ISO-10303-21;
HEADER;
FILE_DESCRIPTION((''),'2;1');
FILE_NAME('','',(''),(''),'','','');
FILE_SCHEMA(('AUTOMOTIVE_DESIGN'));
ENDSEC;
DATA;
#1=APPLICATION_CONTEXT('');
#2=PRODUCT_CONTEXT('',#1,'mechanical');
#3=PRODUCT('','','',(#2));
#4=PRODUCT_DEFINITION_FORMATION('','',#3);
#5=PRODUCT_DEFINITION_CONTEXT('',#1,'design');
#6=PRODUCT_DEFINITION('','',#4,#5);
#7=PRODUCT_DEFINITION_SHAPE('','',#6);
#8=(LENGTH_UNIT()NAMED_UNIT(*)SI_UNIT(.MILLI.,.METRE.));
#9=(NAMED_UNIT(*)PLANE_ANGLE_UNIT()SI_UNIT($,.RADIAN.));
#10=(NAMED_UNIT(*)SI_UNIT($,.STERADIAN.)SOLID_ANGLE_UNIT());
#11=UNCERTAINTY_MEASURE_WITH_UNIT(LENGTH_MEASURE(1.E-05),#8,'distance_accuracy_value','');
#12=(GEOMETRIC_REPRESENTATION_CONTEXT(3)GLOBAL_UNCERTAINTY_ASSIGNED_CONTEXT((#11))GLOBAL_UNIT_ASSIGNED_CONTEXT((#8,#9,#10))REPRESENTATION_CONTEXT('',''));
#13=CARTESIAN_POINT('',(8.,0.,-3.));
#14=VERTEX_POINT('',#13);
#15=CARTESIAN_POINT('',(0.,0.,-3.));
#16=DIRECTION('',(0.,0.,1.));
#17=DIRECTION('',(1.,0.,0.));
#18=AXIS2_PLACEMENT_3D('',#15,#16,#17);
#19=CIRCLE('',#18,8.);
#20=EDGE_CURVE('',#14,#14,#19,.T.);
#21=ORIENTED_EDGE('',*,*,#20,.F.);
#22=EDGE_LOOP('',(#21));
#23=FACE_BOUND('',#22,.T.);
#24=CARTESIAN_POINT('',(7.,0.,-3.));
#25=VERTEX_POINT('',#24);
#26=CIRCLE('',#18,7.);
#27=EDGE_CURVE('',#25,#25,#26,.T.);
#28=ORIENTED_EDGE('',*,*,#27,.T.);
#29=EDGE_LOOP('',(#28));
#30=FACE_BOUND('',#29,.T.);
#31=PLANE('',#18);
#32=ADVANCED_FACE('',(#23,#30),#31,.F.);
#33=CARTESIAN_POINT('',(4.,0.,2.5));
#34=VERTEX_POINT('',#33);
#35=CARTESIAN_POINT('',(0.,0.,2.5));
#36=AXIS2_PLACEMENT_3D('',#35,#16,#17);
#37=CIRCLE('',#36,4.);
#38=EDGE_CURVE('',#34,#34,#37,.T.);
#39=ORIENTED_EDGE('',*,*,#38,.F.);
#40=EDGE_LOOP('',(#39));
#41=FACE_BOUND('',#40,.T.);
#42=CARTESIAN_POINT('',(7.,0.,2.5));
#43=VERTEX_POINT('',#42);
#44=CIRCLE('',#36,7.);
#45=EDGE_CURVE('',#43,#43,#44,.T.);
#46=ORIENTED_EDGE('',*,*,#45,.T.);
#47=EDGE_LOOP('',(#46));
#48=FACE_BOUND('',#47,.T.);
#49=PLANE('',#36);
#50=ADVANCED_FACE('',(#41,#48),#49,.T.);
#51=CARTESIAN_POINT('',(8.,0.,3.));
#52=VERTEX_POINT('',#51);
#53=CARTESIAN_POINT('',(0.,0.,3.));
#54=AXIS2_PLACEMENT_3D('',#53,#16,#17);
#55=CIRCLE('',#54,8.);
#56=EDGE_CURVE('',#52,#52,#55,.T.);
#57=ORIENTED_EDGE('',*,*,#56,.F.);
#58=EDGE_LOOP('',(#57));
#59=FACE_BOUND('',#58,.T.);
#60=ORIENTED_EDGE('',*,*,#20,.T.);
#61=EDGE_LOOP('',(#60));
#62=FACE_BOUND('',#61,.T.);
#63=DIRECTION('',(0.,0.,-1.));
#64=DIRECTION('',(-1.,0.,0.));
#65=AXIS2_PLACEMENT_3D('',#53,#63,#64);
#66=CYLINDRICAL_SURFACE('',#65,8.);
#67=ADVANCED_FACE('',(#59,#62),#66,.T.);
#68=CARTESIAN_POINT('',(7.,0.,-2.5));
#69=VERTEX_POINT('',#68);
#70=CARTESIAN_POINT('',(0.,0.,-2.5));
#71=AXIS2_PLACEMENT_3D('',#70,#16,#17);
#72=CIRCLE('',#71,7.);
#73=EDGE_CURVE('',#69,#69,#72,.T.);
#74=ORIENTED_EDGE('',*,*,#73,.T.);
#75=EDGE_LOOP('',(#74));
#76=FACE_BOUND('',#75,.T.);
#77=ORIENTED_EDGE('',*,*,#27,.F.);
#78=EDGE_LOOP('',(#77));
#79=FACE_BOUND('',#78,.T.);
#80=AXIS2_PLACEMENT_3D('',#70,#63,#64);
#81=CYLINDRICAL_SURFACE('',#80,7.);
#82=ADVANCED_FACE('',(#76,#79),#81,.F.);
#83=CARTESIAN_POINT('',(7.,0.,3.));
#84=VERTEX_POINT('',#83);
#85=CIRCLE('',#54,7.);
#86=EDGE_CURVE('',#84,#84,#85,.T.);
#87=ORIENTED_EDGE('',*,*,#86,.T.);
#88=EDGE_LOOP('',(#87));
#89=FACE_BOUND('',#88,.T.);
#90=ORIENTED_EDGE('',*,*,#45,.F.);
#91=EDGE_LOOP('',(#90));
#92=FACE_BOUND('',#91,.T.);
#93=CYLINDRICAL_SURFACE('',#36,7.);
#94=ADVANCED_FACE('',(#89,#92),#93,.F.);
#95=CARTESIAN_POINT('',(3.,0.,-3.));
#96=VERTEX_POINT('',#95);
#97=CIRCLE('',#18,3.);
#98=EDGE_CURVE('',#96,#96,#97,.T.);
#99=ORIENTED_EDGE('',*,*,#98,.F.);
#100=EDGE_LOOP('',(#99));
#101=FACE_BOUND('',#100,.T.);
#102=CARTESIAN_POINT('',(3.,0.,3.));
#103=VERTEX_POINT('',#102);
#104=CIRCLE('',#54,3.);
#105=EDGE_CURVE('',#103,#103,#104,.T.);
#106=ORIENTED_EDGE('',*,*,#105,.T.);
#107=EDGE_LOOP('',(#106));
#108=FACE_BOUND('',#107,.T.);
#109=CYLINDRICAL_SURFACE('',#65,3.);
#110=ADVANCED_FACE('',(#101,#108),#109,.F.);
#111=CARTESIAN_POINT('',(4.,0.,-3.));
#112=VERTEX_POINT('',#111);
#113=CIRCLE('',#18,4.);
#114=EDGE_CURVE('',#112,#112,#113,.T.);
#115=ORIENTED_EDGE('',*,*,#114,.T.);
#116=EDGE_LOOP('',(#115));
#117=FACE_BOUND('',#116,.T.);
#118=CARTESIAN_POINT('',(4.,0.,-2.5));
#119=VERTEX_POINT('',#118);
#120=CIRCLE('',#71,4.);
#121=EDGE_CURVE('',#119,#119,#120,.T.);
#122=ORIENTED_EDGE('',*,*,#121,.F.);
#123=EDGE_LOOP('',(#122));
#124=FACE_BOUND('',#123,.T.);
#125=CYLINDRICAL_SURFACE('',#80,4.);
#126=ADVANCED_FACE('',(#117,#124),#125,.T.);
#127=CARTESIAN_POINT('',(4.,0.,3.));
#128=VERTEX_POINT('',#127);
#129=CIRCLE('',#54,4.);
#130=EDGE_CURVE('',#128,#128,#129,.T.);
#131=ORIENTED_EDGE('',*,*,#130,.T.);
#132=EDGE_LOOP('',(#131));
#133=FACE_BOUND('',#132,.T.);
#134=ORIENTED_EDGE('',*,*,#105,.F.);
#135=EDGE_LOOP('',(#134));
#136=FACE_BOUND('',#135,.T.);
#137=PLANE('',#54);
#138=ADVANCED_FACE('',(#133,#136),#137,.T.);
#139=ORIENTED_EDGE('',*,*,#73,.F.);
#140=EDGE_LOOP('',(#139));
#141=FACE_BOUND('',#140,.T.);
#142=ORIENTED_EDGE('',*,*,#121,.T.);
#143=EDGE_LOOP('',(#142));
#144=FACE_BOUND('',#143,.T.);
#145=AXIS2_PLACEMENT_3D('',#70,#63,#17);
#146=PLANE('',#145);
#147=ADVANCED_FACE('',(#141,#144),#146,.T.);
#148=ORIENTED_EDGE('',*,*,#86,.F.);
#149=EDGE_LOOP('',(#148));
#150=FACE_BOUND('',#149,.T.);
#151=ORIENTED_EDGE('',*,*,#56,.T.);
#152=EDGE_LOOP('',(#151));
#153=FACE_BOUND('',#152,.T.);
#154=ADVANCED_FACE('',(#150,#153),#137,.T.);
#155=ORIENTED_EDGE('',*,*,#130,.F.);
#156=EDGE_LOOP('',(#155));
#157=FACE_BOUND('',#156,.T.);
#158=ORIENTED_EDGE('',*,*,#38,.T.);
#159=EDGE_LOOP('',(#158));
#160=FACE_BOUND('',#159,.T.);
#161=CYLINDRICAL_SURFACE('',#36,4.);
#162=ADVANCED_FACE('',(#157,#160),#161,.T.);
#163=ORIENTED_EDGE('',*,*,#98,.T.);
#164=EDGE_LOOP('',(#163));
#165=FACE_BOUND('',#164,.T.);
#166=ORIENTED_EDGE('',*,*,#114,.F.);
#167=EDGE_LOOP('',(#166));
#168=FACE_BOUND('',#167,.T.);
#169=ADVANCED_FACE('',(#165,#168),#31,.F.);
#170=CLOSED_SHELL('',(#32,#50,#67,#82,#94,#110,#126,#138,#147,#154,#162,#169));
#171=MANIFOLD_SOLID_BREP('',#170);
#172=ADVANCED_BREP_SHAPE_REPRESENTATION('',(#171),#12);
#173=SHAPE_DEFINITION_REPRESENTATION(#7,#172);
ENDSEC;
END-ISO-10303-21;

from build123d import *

# Parameters (mm, degrees)
SKETCH1_R           = 8
SKETCH1_R_2         = 3
BOSS_EXTRUDE1_DEPTH = 3
SKETCH2_R           = 7
SKETCH2_R_2         = 4
CUT_EXTRUDE1_DEPTH  = 0.5


with BuildPart() as part:
    # Sketch1 → Boss-Extrude1 (new, symmetric)
    with BuildSketch(Plane.XY):
        Circle(SKETCH1_R)
        Circle(SKETCH1_R_2, mode=Mode.SUBTRACT)
    extrude(amount=BOSS_EXTRUDE1_DEPTH, both=True)

    # Sketch2 → Cut-Extrude1 (cut)
    with BuildSketch(Plane.XY.offset(3)):
        Circle(SKETCH2_R)
        Circle(SKETCH2_R_2, mode=Mode.SUBTRACT)
    cut_extrude1 = extrude(amount=-CUT_EXTRUDE1_DEPTH, mode=Mode.SUBTRACT)

    # Mirror1: Cut-Extrude1 across plane
    add(cut_extrude1.mirror(Plane.XY), mode=Mode.SUBTRACT)


solid = part.part
